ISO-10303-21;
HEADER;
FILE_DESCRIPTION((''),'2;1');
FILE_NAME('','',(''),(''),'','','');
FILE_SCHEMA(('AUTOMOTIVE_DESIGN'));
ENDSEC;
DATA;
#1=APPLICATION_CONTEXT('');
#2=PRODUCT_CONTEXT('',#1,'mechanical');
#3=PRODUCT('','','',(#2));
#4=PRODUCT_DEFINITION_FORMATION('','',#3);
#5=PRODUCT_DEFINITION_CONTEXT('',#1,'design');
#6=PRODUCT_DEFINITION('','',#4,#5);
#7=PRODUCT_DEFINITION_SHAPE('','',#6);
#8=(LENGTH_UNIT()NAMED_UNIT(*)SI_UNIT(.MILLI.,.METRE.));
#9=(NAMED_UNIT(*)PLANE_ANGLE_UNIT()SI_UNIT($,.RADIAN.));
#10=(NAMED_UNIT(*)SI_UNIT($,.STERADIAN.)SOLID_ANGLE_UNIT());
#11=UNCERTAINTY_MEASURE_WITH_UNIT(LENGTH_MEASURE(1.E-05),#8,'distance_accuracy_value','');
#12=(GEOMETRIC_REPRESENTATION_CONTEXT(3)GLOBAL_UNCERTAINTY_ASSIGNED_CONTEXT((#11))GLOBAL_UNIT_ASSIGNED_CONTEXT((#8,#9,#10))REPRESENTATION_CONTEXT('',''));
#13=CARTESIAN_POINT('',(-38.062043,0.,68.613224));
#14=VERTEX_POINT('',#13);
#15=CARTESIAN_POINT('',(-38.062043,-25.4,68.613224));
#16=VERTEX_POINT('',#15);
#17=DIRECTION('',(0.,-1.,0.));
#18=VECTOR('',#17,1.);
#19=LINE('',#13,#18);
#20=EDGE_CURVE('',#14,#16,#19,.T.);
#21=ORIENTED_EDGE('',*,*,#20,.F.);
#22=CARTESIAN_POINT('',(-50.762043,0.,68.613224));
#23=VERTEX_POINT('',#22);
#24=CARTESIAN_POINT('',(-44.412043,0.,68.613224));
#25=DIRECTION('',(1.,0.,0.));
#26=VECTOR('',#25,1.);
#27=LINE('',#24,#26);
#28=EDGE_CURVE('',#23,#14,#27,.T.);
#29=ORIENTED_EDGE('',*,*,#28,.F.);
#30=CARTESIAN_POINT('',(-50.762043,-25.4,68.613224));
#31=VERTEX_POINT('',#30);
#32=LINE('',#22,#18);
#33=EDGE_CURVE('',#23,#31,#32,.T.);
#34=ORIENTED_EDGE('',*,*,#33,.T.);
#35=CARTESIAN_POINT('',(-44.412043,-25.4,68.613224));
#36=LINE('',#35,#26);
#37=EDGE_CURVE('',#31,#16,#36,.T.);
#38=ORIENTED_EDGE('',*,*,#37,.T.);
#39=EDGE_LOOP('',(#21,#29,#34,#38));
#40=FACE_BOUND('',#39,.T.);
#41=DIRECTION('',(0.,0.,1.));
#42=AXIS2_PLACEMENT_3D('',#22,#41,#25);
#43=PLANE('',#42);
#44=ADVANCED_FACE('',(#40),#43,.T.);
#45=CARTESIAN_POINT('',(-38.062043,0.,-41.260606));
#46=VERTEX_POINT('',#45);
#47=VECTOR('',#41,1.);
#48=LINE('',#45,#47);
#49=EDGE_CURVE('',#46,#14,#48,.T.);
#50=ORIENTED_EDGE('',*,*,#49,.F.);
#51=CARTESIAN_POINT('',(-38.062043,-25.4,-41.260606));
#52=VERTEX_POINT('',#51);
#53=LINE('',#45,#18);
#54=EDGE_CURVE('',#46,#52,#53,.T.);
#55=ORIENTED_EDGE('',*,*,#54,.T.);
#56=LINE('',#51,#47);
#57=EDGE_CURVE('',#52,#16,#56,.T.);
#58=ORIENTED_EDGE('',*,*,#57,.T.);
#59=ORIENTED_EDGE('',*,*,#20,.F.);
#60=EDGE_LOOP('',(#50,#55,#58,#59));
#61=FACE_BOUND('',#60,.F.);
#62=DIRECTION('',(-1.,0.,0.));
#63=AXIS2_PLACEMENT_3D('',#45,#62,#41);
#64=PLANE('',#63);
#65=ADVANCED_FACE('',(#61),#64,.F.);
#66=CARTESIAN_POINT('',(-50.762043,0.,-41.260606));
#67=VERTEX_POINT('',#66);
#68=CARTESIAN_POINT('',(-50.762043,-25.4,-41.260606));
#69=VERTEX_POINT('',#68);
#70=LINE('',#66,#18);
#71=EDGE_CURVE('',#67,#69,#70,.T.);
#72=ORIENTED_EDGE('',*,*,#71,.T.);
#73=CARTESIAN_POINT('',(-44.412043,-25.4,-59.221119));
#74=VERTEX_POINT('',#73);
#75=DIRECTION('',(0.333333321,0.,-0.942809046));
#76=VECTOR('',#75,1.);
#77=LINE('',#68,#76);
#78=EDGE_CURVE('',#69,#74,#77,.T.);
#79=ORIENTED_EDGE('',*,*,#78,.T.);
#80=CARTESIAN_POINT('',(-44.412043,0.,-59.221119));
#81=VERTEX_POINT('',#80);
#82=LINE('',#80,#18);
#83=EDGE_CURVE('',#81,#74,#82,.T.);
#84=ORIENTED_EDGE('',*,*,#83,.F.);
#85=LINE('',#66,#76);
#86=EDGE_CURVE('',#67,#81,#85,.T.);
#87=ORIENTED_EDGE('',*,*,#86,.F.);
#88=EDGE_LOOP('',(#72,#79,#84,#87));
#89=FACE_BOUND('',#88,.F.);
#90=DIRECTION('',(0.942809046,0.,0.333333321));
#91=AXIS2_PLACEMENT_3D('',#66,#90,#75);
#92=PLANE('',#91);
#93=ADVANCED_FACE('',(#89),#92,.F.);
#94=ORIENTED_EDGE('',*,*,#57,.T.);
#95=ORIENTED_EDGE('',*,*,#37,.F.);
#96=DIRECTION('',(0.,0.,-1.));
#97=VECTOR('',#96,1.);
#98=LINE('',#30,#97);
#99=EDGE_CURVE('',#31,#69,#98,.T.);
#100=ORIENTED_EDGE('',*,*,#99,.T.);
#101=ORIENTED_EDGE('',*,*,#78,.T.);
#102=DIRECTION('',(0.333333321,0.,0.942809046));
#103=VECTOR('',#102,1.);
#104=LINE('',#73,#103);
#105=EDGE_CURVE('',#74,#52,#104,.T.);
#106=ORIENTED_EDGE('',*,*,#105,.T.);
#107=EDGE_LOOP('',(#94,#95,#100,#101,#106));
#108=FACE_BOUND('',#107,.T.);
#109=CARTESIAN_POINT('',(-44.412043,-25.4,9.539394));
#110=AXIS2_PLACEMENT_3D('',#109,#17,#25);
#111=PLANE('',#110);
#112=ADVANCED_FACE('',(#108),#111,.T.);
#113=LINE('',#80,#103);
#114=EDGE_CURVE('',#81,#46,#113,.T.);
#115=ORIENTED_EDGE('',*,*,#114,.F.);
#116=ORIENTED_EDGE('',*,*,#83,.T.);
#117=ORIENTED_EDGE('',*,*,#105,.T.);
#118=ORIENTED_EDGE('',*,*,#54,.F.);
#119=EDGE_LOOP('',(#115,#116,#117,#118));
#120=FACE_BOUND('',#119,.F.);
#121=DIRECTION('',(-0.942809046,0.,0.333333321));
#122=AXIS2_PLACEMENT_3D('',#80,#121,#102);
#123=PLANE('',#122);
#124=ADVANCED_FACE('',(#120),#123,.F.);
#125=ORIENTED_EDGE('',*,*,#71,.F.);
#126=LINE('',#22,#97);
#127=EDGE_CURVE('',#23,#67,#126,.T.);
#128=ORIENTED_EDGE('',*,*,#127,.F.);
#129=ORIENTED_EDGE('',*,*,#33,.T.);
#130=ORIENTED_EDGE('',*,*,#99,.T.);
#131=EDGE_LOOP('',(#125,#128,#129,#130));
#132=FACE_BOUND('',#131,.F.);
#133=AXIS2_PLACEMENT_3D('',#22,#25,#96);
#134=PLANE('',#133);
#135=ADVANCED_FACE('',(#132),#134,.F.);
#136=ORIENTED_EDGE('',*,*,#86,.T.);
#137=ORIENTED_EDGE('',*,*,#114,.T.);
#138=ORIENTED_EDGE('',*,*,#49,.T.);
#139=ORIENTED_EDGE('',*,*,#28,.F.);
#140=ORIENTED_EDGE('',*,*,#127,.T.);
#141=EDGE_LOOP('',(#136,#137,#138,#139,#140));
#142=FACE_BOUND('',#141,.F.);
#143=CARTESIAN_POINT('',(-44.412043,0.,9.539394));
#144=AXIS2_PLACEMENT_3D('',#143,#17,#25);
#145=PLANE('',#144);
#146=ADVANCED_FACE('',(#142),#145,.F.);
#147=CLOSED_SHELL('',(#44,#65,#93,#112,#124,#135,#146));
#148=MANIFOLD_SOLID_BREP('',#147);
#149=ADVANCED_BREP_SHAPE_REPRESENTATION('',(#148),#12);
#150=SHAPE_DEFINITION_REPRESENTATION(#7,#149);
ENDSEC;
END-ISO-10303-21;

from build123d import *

# Parameters (mm, degrees)
F0_W     = 12.7
F0_H     = 101.6
F0_H_2   = 8.27383
F1_DEPTH = 25.4


with BuildPart() as f1:
    # F0 (on Front) → F1 (new body)
    with BuildSketch(Plane.XZ):
        with Locations((-44.412043, 9.539394)):
            Rectangle(F0_W, F0_H)
        with Locations((-44.412043, 64.476309)):
            Rectangle(F0_W, F0_H_2)
        Polygon((-38.062043, -41.260606), (-50.762043, -41.260606), (-44.412043, -59.221119), align=None)
    extrude(amount=F1_DEPTH)


solid = f1.part
